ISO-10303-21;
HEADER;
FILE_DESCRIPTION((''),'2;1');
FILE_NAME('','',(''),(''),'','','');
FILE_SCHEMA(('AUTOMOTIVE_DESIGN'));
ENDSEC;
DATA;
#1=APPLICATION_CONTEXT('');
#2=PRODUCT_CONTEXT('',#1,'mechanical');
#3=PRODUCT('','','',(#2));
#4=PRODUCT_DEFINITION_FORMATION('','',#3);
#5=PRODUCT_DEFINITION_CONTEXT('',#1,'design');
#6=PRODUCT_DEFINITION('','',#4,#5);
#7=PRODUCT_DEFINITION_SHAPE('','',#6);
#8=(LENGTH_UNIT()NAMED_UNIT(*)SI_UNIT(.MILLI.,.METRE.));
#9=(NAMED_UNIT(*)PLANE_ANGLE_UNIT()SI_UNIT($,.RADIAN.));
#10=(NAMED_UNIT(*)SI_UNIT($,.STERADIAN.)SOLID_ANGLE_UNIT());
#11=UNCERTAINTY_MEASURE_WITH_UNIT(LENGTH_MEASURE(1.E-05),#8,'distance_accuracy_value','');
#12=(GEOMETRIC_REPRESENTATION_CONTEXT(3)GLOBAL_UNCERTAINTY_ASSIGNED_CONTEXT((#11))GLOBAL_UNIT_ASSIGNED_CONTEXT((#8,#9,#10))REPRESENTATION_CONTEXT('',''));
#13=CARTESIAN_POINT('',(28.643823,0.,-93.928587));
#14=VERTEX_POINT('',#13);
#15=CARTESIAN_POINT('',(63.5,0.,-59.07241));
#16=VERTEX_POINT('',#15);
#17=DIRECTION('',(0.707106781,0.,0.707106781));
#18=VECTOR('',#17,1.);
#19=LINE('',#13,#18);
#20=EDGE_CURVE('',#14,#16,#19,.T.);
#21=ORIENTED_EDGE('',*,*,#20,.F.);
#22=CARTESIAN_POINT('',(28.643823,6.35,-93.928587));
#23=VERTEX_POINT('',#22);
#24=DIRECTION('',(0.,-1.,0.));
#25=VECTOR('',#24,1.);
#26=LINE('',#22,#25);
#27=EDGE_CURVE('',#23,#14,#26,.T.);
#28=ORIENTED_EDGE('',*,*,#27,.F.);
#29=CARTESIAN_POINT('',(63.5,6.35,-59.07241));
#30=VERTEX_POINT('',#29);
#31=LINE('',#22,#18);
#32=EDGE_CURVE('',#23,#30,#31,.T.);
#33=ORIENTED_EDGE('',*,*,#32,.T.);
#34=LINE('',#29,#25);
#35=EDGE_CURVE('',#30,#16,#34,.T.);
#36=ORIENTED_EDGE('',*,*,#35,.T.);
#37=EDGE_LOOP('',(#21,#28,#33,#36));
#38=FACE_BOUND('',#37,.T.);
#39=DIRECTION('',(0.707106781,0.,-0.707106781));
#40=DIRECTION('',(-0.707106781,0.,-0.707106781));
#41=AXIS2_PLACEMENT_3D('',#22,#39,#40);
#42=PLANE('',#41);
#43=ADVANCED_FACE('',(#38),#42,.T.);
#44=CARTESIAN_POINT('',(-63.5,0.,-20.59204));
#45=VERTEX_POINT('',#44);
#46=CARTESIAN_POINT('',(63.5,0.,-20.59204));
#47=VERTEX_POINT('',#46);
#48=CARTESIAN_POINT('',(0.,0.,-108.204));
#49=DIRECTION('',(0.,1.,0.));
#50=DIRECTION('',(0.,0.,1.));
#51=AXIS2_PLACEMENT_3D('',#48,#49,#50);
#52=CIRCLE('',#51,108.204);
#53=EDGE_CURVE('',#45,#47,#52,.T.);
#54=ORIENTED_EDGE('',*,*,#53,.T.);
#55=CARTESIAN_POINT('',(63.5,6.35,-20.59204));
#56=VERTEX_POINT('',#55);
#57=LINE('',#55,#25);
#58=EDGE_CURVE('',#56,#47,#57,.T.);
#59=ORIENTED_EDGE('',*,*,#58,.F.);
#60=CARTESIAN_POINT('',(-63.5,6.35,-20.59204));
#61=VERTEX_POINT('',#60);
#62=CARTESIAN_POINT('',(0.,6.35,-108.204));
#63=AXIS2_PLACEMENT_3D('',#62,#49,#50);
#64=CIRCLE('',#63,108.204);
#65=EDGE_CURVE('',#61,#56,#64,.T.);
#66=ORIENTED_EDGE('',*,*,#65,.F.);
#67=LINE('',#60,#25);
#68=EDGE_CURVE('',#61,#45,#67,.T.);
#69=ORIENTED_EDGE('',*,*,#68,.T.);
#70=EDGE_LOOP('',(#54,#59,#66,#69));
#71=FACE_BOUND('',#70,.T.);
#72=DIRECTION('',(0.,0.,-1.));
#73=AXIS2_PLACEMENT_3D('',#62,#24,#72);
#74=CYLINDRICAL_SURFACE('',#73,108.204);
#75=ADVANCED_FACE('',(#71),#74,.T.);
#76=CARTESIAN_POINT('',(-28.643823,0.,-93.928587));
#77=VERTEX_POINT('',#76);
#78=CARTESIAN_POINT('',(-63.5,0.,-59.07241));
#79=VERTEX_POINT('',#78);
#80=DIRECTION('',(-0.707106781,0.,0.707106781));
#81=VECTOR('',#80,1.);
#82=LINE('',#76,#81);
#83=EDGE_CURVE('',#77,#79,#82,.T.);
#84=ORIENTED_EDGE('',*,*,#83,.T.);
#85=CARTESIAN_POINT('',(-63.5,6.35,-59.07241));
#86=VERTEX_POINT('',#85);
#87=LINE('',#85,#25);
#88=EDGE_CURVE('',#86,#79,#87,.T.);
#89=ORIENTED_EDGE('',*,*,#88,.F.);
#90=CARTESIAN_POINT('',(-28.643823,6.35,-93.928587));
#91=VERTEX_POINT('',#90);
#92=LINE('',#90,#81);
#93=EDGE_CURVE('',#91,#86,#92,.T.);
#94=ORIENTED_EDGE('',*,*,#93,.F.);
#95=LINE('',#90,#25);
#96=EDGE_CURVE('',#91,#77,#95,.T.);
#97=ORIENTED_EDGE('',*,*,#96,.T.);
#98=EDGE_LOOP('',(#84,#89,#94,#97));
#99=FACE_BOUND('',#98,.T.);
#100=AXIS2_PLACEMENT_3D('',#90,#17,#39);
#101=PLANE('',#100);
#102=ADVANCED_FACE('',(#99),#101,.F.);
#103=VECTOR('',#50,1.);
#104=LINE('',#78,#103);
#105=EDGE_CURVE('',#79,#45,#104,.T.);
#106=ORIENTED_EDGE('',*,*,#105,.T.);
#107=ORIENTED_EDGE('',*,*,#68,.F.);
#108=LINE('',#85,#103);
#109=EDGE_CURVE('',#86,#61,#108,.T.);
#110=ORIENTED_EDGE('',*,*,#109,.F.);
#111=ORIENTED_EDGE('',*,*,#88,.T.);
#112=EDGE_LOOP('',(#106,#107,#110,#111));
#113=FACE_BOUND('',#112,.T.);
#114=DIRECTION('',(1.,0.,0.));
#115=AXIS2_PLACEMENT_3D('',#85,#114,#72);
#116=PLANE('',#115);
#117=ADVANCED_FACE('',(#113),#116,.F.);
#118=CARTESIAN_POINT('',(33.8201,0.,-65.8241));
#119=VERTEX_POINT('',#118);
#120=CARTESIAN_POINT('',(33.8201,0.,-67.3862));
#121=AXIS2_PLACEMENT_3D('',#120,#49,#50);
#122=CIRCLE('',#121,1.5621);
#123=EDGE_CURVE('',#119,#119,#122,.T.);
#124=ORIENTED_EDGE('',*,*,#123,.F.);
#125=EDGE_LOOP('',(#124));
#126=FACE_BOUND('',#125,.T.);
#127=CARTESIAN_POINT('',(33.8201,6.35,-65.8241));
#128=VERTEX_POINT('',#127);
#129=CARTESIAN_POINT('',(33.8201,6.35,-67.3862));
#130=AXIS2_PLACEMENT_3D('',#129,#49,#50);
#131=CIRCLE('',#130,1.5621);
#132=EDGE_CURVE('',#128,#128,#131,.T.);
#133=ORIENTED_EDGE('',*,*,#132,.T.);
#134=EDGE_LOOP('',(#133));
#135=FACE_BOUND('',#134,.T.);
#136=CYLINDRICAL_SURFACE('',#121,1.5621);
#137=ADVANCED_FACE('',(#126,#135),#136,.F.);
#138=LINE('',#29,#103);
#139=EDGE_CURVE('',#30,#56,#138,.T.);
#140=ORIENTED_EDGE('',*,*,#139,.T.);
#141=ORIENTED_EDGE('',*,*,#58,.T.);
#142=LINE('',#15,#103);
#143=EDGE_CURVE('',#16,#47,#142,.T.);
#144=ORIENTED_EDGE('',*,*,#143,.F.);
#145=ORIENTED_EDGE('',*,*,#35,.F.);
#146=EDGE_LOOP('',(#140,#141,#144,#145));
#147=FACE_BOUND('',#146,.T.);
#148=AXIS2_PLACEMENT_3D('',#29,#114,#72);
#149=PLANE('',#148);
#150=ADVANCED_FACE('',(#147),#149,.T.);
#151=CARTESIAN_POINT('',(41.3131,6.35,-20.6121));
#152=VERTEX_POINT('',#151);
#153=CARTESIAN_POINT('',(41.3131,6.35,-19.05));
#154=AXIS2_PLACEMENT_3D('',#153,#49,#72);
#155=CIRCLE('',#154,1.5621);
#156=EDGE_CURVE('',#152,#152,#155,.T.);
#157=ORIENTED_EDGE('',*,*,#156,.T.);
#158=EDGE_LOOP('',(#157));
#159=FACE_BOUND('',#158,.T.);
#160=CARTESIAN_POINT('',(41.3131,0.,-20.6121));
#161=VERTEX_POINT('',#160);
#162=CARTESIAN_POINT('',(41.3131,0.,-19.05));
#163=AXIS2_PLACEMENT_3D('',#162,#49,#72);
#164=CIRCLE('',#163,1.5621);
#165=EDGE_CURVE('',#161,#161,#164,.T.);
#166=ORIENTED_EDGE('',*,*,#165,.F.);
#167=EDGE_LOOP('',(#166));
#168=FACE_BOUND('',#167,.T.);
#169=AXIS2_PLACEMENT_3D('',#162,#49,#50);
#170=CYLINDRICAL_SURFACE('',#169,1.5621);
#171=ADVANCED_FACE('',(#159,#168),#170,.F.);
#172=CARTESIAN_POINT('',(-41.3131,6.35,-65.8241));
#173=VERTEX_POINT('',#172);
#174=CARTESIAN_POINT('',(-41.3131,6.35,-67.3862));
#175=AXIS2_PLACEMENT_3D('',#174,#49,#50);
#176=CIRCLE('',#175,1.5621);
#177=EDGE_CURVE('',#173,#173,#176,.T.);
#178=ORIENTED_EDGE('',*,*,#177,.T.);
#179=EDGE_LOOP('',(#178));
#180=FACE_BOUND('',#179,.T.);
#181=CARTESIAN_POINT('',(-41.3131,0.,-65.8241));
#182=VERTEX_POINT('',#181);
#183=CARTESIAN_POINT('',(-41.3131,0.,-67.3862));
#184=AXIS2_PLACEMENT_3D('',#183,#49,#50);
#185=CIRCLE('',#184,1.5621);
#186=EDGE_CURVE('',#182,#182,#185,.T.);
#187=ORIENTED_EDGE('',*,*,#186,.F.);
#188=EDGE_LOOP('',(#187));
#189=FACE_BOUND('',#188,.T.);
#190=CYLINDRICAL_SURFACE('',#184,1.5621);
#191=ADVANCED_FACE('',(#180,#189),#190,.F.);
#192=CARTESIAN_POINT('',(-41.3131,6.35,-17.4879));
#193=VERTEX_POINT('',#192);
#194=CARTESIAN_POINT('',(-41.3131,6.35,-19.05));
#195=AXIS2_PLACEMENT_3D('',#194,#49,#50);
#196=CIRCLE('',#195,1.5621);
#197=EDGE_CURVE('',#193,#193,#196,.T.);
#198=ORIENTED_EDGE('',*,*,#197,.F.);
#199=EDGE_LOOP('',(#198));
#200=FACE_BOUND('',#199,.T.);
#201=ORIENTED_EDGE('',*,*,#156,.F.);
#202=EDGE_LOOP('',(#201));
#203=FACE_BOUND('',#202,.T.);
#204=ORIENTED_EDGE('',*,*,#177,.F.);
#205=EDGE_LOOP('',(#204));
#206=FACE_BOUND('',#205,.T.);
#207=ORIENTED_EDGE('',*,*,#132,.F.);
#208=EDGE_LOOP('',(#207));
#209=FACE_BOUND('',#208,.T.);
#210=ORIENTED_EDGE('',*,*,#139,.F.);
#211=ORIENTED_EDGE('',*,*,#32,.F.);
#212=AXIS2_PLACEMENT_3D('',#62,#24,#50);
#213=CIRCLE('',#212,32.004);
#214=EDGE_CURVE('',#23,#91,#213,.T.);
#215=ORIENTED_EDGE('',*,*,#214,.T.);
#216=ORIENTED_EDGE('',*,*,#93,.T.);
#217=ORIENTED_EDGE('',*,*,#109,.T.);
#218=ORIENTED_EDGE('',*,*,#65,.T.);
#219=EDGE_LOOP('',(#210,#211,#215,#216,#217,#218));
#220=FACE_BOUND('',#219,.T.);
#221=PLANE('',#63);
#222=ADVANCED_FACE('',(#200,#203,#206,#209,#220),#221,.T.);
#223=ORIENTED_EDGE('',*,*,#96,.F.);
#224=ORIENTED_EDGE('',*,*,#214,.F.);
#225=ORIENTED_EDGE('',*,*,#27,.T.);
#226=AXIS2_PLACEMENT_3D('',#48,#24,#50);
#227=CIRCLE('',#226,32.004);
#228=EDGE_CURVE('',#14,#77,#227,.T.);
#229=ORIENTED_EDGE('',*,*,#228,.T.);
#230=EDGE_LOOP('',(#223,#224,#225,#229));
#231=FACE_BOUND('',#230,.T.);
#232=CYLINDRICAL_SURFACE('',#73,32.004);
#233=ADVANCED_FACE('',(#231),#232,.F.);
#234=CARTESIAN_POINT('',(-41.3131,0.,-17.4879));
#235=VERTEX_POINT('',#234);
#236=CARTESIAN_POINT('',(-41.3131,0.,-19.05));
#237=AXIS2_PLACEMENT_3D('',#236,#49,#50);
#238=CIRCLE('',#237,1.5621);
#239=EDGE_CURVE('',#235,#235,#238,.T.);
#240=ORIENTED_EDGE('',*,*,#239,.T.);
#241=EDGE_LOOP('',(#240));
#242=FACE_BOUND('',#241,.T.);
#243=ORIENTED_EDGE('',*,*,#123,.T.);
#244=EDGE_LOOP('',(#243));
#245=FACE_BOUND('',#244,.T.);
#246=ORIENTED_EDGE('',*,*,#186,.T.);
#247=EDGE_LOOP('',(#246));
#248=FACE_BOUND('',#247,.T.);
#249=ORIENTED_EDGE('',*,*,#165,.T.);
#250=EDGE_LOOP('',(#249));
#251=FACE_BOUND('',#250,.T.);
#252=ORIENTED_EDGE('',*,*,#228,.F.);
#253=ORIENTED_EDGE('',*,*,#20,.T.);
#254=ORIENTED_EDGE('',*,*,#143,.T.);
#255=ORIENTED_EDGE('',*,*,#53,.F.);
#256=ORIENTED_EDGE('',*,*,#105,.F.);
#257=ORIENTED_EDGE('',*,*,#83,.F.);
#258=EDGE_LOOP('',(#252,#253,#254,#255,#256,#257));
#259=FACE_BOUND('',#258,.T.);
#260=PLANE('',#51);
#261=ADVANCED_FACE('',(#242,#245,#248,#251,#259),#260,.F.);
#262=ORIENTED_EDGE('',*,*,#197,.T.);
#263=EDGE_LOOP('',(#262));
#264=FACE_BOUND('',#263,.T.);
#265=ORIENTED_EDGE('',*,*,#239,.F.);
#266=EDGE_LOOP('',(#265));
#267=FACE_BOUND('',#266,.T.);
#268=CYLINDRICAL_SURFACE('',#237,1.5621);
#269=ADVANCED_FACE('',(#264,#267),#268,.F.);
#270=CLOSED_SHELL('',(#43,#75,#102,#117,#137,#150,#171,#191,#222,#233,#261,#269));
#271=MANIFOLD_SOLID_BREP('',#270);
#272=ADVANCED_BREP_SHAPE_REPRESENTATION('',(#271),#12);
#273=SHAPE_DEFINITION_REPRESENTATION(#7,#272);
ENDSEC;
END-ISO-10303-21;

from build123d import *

# Parameters (mm, degrees)
BOSS_EXTRUDE1_DEPTH = 6.35
SKETCH3_R           = 1.5621
CUT_EXTRUDE1_DEPTH  = 7.35


with BuildPart() as part:
    # Sketch1 → Boss-Extrude1 (new body)
    with BuildSketch(Plane(origin=(0, 0, 0), x_dir=(1, 0, 0), z_dir=(0, 1, 0))):
        with BuildLine():
            Line((-63.5, 59.072409794), (-63.5, 20.592039538))
            ThreePointArc((-63.5, 20.592039538), (-33.377694994, 5.276670816), (0, 0))
            Line((0, 0), (0, 76.2))
            ThreePointArc((0, 76.2), (-16.843183971, 80.990709686), (-28.643822974, 93.92858682))
            Line((-28.643822974, 93.92858682), (-63.5, 59.072409794))
        make_face()
    boss_extrude1 = extrude(amount=BOSS_EXTRUDE1_DEPTH)

    # Mirror1: Boss-Extrude1 across plane
    add(boss_extrude1.mirror(Plane(origin=(0, 0, 0), x_dir=(0, 0, 1), z_dir=(1, 0, 0))))

    # Sketch3 → Cut-Extrude1 (cut, through all)
    with BuildSketch(Plane(origin=(0, 6.35, 0), x_dir=(1, 0, 0), z_dir=(0, 1, 0))):
        with Locations((-41.3131, 19.05)):
            Circle(SKETCH3_R)
        with Locations((41.3131, 19.05)):
            Circle(SKETCH3_R)
        with Locations((-41.3131, 67.3862)):
            Circle(SKETCH3_R)
        with Locations((33.8201, 67.3862)):
            Circle(SKETCH3_R)
    extrude(amount=-CUT_EXTRUDE1_DEPTH, mode=Mode.SUBTRACT)


solid = part.part
